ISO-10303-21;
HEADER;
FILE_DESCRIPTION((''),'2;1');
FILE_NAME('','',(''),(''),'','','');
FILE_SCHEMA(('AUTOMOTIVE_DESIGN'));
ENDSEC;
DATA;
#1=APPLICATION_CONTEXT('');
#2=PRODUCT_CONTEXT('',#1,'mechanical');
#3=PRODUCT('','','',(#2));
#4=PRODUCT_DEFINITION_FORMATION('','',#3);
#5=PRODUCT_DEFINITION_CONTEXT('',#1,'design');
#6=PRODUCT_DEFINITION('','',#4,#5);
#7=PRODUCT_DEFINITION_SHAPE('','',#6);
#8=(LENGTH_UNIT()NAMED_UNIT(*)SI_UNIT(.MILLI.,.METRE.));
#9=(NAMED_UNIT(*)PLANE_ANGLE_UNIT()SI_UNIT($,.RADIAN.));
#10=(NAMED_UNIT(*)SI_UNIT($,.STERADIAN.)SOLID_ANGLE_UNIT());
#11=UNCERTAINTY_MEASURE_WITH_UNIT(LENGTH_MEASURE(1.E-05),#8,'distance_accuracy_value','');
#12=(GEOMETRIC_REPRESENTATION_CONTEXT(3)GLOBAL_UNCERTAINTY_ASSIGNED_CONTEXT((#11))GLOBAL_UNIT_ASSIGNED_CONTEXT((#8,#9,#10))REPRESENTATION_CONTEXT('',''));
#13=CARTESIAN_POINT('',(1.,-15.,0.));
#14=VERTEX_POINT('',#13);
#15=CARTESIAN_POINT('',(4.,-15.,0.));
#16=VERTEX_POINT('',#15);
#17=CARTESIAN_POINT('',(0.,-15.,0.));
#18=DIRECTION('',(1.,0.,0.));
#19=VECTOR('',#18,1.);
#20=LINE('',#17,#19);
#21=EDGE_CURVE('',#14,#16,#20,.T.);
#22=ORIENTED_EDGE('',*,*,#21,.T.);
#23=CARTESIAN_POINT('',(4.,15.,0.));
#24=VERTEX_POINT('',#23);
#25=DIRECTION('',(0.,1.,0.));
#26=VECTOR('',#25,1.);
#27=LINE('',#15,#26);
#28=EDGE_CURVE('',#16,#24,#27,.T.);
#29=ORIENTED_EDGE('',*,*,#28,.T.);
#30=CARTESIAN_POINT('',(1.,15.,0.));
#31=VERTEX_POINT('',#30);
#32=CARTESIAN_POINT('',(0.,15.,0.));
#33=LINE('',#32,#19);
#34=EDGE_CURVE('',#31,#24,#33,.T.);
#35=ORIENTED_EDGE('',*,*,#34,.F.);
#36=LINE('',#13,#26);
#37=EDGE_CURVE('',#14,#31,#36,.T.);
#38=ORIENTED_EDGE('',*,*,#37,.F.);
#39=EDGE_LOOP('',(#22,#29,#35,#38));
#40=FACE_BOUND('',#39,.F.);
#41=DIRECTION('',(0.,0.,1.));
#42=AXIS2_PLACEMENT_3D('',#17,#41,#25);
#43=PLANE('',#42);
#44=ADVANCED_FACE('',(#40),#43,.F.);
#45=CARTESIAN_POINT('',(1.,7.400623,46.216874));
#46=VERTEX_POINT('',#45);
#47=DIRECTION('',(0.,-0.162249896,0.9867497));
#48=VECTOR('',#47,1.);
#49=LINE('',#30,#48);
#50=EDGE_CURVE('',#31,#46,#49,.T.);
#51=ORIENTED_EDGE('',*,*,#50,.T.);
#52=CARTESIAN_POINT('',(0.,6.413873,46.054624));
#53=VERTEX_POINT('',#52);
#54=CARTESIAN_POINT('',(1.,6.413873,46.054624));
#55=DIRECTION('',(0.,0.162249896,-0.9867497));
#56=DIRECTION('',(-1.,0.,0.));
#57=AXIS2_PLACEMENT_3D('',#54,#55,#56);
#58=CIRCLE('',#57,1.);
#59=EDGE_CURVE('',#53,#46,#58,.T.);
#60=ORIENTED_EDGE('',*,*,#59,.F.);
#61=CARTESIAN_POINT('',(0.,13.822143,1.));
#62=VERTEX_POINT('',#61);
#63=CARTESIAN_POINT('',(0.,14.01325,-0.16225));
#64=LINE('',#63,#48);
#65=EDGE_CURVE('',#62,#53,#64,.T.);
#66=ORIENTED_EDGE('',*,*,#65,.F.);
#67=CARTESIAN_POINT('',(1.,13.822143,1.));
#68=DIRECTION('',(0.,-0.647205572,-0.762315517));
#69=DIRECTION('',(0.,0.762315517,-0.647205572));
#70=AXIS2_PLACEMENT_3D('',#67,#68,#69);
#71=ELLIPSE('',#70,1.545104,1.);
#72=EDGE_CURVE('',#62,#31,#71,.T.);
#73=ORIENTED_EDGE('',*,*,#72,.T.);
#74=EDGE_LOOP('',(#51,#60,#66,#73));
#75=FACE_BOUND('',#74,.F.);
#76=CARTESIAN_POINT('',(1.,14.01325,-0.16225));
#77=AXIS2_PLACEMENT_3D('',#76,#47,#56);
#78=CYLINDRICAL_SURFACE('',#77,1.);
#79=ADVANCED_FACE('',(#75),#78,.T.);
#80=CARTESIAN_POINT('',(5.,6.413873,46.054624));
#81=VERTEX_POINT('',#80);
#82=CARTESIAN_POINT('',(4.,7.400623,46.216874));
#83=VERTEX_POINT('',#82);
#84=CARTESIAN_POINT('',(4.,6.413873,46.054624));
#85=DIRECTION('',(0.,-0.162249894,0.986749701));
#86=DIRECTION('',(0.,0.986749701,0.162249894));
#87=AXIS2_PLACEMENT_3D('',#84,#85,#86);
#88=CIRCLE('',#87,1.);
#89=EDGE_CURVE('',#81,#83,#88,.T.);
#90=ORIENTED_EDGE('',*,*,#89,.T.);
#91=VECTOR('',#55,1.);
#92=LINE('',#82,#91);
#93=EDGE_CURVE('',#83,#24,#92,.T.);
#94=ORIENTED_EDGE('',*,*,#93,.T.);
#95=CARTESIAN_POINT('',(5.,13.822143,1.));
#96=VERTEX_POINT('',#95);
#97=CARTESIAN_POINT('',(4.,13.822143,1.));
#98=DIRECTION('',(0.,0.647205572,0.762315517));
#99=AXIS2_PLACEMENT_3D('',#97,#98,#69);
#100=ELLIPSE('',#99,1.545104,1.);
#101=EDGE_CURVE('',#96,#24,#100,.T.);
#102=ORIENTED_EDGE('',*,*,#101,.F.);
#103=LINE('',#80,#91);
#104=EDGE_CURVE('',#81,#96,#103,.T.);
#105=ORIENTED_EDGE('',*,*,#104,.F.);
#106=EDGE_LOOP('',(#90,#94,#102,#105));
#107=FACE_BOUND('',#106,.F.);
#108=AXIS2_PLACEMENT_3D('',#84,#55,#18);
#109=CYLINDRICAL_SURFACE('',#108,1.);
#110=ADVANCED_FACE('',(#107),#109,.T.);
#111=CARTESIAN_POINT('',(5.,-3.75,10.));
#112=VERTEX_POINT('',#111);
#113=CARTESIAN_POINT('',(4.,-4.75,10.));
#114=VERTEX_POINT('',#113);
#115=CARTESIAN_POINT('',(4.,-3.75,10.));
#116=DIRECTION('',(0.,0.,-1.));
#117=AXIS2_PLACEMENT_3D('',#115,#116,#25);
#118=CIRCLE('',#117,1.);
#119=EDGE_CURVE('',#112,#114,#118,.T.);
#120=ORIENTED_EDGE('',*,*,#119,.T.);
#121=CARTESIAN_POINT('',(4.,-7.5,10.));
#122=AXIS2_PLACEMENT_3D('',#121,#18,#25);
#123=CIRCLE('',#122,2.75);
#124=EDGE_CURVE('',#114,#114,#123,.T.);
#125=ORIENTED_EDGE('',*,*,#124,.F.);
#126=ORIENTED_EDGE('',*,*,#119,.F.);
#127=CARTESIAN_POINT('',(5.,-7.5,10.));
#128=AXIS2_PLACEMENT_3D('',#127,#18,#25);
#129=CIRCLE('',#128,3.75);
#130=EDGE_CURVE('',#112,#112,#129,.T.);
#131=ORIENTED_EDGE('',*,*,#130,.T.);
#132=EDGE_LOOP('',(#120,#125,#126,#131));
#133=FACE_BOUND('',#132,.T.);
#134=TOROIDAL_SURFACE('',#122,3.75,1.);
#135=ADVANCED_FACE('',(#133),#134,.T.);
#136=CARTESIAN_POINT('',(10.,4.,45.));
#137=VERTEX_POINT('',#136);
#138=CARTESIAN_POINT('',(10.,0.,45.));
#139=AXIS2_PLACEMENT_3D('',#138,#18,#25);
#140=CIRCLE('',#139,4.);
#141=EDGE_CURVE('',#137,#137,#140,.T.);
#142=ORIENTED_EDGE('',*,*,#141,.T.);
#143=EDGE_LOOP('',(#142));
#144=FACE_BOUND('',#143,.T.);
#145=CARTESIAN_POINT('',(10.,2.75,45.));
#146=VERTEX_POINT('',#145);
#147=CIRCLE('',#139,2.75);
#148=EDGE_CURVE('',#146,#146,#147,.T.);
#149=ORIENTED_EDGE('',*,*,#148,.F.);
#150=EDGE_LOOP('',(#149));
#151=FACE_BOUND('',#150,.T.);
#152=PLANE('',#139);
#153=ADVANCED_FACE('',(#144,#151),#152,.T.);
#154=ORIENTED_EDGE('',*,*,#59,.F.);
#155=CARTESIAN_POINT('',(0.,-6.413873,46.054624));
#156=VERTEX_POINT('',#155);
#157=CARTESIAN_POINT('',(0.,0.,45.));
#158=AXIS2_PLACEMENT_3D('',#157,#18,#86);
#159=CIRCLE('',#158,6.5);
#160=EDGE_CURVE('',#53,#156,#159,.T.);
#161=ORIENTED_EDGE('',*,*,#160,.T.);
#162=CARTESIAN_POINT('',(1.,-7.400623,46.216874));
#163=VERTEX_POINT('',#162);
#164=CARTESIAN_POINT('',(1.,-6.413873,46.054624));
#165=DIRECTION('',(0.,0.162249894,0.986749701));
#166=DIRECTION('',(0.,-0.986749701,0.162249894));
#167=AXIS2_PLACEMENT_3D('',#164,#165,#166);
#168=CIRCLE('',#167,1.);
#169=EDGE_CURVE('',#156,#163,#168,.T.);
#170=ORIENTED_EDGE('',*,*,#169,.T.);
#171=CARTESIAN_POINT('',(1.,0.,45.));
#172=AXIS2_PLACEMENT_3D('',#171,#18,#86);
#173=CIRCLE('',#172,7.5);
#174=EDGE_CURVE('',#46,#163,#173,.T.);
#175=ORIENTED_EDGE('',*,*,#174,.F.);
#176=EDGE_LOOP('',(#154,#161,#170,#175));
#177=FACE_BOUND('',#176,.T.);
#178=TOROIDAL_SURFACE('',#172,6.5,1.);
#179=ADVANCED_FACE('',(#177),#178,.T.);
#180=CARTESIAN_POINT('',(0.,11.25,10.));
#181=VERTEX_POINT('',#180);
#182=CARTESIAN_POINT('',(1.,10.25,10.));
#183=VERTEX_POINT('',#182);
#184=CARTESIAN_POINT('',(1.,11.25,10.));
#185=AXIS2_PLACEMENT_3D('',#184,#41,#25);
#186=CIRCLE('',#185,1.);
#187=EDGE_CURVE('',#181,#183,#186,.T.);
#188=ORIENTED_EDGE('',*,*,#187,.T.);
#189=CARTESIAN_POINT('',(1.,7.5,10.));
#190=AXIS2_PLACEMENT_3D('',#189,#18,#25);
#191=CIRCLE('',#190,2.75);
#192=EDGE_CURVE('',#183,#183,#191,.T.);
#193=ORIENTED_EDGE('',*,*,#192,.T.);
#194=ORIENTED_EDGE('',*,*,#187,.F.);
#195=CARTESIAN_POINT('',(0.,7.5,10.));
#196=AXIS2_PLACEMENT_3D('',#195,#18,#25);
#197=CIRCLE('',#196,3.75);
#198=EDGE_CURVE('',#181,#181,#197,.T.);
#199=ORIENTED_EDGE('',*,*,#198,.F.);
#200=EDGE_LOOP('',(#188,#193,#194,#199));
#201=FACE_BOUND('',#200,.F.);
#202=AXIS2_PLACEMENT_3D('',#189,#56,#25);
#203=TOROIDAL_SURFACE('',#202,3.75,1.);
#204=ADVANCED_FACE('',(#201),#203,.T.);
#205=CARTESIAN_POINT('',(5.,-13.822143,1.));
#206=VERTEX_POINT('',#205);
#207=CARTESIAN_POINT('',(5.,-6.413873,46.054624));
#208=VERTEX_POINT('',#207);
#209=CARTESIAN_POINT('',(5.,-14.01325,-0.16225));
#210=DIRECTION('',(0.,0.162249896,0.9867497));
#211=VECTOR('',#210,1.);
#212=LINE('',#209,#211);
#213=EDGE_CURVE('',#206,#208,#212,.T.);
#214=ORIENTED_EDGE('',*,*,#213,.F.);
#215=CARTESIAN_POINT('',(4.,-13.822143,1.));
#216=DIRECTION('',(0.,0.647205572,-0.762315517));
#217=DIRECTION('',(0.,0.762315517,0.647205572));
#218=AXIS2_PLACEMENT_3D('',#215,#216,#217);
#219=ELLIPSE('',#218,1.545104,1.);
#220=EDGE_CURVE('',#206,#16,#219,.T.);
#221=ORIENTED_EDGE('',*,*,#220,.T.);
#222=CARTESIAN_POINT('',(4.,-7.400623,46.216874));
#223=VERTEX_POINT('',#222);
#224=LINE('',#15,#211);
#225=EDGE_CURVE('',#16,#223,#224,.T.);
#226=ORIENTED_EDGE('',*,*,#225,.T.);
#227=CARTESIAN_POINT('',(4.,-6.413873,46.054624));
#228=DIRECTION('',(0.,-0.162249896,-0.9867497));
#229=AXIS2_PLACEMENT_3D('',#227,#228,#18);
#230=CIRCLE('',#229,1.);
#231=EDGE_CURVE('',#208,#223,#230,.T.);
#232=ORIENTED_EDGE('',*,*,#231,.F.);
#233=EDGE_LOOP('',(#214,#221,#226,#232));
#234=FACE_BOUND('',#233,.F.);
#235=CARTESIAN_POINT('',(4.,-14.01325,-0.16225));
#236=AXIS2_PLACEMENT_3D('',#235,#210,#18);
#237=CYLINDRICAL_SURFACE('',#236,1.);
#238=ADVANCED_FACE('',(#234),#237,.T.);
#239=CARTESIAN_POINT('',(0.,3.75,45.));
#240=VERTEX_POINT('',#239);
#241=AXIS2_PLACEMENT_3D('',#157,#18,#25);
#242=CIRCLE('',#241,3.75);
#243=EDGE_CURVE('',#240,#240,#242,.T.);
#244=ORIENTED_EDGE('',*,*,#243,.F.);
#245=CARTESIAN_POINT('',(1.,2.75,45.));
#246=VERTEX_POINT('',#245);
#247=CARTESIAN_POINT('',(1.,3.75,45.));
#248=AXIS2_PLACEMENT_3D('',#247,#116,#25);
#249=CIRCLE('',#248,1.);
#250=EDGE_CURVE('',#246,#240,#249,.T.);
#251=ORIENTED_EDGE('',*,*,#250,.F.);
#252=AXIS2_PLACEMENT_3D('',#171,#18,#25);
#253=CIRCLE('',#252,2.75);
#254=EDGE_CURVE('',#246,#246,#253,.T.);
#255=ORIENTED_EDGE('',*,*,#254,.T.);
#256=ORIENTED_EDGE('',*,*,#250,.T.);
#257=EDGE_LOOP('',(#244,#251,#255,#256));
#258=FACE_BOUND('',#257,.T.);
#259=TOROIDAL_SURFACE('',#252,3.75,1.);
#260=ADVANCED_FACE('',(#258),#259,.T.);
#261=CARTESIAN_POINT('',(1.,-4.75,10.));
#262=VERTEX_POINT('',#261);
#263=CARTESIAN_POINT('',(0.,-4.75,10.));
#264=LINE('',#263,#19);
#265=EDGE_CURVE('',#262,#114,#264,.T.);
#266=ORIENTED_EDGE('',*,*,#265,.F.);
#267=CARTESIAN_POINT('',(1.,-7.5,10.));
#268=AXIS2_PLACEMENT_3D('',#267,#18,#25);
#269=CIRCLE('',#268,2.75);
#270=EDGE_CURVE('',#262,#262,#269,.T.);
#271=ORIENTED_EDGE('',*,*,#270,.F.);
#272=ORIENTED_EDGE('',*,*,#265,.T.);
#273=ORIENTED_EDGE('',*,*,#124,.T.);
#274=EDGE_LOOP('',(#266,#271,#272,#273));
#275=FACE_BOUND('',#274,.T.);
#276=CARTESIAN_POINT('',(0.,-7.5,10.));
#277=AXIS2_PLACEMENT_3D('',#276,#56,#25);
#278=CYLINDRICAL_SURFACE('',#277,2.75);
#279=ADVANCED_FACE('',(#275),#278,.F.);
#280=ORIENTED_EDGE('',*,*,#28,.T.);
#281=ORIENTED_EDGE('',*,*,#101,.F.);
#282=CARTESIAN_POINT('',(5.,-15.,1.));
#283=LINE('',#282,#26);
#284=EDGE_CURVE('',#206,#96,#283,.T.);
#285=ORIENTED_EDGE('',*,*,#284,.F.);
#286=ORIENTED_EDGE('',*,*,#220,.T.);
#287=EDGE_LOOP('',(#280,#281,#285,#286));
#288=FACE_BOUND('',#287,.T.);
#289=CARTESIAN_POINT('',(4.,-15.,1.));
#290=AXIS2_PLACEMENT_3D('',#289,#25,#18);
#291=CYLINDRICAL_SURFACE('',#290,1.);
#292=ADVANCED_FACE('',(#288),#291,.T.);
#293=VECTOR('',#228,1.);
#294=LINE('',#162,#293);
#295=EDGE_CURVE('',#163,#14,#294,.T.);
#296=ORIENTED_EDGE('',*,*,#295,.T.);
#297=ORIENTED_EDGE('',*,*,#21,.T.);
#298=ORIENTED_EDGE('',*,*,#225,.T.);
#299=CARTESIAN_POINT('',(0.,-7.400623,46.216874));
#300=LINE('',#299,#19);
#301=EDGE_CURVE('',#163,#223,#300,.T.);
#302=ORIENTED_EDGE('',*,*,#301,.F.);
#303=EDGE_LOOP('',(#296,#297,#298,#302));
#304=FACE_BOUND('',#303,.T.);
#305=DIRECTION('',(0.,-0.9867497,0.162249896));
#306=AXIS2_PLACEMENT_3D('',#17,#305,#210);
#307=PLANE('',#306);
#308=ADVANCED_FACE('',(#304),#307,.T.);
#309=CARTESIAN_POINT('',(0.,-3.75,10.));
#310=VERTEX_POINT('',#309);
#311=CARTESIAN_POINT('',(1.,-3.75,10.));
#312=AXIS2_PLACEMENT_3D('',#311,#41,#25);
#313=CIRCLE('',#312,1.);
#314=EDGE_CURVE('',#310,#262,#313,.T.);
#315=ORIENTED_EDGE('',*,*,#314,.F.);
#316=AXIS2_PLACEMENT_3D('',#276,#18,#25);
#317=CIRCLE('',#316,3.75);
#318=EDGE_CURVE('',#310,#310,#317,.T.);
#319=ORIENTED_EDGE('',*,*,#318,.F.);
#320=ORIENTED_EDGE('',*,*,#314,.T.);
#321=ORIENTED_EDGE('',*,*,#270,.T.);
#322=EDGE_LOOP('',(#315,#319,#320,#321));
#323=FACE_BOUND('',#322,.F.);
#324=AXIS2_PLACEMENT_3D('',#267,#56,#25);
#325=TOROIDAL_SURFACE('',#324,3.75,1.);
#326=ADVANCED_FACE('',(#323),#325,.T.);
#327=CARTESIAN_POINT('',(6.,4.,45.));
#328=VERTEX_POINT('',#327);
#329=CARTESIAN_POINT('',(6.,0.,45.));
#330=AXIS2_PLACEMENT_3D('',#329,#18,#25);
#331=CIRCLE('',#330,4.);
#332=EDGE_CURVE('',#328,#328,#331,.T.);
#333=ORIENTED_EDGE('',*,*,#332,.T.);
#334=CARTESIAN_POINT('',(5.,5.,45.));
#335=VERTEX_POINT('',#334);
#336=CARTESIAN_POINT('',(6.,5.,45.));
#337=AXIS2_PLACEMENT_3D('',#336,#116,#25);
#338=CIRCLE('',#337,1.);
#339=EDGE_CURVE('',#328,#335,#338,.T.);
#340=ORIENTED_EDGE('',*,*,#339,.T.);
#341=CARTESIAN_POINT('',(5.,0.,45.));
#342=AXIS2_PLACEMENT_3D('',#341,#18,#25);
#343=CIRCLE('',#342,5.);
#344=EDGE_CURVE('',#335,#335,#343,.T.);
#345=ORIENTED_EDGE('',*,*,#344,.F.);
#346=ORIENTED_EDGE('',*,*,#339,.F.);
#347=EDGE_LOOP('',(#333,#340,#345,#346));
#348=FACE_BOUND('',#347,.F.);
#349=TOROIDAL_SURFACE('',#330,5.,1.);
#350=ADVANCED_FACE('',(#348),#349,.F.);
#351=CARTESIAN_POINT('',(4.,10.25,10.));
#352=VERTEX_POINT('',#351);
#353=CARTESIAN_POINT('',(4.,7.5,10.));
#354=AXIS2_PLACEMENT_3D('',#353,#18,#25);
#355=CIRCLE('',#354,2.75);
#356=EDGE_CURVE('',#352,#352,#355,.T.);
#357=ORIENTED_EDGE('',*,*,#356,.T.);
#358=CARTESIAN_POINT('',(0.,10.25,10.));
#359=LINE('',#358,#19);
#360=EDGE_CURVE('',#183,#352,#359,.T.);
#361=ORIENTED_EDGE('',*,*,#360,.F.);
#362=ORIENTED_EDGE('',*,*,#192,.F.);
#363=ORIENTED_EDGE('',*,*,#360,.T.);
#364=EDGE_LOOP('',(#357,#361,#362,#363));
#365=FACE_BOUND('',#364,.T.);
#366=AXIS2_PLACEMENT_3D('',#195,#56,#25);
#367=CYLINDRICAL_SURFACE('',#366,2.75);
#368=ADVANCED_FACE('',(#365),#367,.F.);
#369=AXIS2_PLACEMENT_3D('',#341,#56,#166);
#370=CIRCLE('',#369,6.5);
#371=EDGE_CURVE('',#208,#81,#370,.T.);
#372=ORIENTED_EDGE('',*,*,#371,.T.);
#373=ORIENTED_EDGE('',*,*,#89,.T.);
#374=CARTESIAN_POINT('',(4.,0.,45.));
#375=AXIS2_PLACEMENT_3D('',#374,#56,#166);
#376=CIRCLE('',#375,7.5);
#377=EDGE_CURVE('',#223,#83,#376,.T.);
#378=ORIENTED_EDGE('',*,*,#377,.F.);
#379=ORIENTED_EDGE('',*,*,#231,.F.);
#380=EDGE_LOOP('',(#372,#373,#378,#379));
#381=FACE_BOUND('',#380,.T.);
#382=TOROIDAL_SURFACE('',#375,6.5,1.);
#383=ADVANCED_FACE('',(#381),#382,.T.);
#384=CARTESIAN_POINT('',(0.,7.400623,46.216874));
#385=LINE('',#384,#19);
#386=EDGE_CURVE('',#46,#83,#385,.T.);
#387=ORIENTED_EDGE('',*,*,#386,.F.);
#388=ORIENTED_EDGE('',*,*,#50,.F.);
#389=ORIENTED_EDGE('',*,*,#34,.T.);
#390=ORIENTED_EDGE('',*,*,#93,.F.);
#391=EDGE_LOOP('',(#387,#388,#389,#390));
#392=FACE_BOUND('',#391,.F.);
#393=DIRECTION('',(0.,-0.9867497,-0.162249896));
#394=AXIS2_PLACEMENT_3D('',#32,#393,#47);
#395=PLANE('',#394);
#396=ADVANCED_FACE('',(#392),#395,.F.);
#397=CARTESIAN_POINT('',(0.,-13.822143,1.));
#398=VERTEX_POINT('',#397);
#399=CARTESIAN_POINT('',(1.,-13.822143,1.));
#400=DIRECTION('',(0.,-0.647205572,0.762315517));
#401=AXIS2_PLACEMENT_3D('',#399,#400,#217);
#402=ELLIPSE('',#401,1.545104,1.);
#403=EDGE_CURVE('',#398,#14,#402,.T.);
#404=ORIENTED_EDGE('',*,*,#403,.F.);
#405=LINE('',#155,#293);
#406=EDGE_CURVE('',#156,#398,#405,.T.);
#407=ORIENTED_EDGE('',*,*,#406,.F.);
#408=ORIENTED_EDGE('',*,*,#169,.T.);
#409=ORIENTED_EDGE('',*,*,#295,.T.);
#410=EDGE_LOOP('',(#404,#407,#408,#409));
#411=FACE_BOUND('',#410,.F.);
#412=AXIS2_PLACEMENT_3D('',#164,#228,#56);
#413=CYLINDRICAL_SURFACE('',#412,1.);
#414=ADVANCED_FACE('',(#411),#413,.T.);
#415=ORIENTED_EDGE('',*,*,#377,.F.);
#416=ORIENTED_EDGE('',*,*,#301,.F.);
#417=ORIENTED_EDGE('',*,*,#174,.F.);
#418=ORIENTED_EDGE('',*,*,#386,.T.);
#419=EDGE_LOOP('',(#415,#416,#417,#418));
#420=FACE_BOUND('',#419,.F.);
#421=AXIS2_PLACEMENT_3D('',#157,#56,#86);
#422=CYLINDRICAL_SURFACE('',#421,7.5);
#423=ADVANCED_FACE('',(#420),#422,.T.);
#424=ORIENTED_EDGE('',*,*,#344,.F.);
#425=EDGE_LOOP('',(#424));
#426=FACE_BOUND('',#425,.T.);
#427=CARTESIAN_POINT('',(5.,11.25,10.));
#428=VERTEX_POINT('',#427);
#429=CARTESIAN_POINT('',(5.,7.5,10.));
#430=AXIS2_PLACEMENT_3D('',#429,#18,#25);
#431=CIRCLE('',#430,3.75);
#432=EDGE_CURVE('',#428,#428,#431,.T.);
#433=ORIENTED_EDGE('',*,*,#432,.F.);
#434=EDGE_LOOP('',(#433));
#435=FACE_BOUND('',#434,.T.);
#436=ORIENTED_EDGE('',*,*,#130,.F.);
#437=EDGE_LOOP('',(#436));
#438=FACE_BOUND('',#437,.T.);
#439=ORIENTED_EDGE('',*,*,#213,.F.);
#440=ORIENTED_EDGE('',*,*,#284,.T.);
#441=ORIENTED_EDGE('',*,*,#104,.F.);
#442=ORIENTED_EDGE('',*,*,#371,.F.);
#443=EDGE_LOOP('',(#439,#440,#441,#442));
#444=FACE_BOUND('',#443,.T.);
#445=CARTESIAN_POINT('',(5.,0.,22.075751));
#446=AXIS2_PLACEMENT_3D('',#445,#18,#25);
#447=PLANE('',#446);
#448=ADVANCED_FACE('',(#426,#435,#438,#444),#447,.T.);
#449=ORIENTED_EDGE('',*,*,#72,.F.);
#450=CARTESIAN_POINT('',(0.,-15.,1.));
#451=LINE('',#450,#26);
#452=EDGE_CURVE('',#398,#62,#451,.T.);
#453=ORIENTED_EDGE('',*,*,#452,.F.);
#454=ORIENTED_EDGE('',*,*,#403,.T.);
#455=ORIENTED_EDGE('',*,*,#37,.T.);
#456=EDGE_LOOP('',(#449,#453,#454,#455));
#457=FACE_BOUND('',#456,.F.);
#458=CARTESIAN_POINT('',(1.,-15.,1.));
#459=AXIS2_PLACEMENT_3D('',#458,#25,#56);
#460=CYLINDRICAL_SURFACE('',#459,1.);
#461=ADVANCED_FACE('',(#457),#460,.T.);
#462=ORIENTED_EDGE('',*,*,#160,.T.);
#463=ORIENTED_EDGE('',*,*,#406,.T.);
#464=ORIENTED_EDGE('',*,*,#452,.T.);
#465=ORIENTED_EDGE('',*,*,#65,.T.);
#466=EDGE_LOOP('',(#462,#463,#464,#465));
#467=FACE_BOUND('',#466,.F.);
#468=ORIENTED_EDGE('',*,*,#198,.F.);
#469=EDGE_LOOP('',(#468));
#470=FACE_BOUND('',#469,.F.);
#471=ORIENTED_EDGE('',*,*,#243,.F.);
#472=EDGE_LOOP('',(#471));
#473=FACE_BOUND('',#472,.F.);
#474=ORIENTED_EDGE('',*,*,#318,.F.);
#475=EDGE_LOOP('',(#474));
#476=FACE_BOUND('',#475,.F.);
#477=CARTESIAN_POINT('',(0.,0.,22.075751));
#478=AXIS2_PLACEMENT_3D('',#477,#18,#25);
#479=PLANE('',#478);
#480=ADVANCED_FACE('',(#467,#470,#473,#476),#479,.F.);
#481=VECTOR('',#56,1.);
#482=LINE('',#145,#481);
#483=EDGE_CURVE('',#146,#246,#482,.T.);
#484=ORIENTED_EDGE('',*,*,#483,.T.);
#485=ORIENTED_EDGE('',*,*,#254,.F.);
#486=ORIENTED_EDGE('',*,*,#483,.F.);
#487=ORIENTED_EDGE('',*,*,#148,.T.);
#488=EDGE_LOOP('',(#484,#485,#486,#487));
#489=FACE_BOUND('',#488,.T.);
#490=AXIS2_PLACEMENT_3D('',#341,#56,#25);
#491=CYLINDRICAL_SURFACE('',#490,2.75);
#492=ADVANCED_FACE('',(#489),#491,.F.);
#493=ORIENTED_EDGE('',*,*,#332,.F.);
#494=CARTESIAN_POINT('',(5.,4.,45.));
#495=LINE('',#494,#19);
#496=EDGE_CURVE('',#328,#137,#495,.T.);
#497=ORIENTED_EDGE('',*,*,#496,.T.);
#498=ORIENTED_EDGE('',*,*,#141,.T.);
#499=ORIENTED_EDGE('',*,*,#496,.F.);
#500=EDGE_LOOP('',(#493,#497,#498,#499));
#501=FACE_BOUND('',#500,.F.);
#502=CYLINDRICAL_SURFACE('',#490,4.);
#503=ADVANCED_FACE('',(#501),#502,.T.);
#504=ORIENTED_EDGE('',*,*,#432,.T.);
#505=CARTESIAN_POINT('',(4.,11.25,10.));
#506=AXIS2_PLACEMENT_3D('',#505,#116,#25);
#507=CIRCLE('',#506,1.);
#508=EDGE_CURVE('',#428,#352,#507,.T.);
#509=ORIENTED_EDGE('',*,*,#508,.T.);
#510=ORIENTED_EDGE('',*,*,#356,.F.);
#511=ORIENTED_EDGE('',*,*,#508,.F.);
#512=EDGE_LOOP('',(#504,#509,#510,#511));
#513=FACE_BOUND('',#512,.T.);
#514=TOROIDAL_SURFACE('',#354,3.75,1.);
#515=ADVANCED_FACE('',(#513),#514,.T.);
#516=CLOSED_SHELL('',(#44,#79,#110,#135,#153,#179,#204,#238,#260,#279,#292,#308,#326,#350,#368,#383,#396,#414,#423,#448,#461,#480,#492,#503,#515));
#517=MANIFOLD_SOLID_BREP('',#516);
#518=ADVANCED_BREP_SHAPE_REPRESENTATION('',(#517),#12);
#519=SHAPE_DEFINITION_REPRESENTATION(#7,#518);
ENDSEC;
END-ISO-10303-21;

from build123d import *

# Parameters (mm, degrees)
SKETCH_R      = 2.75
PAD_DEPTH     = 5
SKETCH001_R   = 4
SKETCH001_R_2 = 2.75
PAD001_DEPTH  = 5
FILLET_R      = 1
FILLET001_R   = 1


with BuildPart() as part:
    # Sketch → Pad (new body)
    with BuildSketch(Plane.YZ):
        with BuildLine():
            Line((-15, 0), (15, 0))
            Line((15, 0), (7.400623, 46.216874))
            ThreePointArc((7.400623, 46.216874), (0, 52.5), (-7.400623, 46.216874))
            Line((-15, 0), (-7.400623, 46.216874))
        make_face()
        with Locations((0, 45)):
            Circle(SKETCH_R, mode=Mode.SUBTRACT)
        with Locations((-7.5, 10)):
            Circle(SKETCH_R, mode=Mode.SUBTRACT)
        with Locations((7.5, 10)):
            Circle(SKETCH_R, mode=Mode.SUBTRACT)
    extrude(amount=PAD_DEPTH)

    # Sketch001 (on Face9 of Pad) → Pad001 (join)
    with BuildSketch(Plane.YZ.offset(5)):
        with Locations((0, 45)):
            Circle(SKETCH001_R)
        with Locations((0, 45)):
            Circle(SKETCH001_R_2, mode=Mode.SUBTRACT)
    extrude(amount=PAD001_DEPTH)

    # Fillet
    fillet_edges = [part.edges().sort_by_distance(p)[0] for p in [
        (0, 0, 0),
        (0, 11.200311, 23.108437),
        (0, 0, 52.5),
        (0, -11.200311, 23.108437),
        (0, -2.75, 45),
        (0, -10.25, 10),
        (0, 4.75, 10),
    ]]
    fillet(fillet_edges, radius=FILLET_R)

    # Fillet001
    fillet001_edges = [part.edges().sort_by_distance(p)[0] for p in [
        (5, 0, 0),
        (5, -11.200311, 23.108437),
        (5, 11.200311, 23.108437),
        (5, 0, 52.5),
        (5, 4.75, 10),
        (5, -10.25, 10),
        (5, -4, 45),
    ]]
    fillet(fillet001_edges, radius=FILLET001_R)


solid = part.part
